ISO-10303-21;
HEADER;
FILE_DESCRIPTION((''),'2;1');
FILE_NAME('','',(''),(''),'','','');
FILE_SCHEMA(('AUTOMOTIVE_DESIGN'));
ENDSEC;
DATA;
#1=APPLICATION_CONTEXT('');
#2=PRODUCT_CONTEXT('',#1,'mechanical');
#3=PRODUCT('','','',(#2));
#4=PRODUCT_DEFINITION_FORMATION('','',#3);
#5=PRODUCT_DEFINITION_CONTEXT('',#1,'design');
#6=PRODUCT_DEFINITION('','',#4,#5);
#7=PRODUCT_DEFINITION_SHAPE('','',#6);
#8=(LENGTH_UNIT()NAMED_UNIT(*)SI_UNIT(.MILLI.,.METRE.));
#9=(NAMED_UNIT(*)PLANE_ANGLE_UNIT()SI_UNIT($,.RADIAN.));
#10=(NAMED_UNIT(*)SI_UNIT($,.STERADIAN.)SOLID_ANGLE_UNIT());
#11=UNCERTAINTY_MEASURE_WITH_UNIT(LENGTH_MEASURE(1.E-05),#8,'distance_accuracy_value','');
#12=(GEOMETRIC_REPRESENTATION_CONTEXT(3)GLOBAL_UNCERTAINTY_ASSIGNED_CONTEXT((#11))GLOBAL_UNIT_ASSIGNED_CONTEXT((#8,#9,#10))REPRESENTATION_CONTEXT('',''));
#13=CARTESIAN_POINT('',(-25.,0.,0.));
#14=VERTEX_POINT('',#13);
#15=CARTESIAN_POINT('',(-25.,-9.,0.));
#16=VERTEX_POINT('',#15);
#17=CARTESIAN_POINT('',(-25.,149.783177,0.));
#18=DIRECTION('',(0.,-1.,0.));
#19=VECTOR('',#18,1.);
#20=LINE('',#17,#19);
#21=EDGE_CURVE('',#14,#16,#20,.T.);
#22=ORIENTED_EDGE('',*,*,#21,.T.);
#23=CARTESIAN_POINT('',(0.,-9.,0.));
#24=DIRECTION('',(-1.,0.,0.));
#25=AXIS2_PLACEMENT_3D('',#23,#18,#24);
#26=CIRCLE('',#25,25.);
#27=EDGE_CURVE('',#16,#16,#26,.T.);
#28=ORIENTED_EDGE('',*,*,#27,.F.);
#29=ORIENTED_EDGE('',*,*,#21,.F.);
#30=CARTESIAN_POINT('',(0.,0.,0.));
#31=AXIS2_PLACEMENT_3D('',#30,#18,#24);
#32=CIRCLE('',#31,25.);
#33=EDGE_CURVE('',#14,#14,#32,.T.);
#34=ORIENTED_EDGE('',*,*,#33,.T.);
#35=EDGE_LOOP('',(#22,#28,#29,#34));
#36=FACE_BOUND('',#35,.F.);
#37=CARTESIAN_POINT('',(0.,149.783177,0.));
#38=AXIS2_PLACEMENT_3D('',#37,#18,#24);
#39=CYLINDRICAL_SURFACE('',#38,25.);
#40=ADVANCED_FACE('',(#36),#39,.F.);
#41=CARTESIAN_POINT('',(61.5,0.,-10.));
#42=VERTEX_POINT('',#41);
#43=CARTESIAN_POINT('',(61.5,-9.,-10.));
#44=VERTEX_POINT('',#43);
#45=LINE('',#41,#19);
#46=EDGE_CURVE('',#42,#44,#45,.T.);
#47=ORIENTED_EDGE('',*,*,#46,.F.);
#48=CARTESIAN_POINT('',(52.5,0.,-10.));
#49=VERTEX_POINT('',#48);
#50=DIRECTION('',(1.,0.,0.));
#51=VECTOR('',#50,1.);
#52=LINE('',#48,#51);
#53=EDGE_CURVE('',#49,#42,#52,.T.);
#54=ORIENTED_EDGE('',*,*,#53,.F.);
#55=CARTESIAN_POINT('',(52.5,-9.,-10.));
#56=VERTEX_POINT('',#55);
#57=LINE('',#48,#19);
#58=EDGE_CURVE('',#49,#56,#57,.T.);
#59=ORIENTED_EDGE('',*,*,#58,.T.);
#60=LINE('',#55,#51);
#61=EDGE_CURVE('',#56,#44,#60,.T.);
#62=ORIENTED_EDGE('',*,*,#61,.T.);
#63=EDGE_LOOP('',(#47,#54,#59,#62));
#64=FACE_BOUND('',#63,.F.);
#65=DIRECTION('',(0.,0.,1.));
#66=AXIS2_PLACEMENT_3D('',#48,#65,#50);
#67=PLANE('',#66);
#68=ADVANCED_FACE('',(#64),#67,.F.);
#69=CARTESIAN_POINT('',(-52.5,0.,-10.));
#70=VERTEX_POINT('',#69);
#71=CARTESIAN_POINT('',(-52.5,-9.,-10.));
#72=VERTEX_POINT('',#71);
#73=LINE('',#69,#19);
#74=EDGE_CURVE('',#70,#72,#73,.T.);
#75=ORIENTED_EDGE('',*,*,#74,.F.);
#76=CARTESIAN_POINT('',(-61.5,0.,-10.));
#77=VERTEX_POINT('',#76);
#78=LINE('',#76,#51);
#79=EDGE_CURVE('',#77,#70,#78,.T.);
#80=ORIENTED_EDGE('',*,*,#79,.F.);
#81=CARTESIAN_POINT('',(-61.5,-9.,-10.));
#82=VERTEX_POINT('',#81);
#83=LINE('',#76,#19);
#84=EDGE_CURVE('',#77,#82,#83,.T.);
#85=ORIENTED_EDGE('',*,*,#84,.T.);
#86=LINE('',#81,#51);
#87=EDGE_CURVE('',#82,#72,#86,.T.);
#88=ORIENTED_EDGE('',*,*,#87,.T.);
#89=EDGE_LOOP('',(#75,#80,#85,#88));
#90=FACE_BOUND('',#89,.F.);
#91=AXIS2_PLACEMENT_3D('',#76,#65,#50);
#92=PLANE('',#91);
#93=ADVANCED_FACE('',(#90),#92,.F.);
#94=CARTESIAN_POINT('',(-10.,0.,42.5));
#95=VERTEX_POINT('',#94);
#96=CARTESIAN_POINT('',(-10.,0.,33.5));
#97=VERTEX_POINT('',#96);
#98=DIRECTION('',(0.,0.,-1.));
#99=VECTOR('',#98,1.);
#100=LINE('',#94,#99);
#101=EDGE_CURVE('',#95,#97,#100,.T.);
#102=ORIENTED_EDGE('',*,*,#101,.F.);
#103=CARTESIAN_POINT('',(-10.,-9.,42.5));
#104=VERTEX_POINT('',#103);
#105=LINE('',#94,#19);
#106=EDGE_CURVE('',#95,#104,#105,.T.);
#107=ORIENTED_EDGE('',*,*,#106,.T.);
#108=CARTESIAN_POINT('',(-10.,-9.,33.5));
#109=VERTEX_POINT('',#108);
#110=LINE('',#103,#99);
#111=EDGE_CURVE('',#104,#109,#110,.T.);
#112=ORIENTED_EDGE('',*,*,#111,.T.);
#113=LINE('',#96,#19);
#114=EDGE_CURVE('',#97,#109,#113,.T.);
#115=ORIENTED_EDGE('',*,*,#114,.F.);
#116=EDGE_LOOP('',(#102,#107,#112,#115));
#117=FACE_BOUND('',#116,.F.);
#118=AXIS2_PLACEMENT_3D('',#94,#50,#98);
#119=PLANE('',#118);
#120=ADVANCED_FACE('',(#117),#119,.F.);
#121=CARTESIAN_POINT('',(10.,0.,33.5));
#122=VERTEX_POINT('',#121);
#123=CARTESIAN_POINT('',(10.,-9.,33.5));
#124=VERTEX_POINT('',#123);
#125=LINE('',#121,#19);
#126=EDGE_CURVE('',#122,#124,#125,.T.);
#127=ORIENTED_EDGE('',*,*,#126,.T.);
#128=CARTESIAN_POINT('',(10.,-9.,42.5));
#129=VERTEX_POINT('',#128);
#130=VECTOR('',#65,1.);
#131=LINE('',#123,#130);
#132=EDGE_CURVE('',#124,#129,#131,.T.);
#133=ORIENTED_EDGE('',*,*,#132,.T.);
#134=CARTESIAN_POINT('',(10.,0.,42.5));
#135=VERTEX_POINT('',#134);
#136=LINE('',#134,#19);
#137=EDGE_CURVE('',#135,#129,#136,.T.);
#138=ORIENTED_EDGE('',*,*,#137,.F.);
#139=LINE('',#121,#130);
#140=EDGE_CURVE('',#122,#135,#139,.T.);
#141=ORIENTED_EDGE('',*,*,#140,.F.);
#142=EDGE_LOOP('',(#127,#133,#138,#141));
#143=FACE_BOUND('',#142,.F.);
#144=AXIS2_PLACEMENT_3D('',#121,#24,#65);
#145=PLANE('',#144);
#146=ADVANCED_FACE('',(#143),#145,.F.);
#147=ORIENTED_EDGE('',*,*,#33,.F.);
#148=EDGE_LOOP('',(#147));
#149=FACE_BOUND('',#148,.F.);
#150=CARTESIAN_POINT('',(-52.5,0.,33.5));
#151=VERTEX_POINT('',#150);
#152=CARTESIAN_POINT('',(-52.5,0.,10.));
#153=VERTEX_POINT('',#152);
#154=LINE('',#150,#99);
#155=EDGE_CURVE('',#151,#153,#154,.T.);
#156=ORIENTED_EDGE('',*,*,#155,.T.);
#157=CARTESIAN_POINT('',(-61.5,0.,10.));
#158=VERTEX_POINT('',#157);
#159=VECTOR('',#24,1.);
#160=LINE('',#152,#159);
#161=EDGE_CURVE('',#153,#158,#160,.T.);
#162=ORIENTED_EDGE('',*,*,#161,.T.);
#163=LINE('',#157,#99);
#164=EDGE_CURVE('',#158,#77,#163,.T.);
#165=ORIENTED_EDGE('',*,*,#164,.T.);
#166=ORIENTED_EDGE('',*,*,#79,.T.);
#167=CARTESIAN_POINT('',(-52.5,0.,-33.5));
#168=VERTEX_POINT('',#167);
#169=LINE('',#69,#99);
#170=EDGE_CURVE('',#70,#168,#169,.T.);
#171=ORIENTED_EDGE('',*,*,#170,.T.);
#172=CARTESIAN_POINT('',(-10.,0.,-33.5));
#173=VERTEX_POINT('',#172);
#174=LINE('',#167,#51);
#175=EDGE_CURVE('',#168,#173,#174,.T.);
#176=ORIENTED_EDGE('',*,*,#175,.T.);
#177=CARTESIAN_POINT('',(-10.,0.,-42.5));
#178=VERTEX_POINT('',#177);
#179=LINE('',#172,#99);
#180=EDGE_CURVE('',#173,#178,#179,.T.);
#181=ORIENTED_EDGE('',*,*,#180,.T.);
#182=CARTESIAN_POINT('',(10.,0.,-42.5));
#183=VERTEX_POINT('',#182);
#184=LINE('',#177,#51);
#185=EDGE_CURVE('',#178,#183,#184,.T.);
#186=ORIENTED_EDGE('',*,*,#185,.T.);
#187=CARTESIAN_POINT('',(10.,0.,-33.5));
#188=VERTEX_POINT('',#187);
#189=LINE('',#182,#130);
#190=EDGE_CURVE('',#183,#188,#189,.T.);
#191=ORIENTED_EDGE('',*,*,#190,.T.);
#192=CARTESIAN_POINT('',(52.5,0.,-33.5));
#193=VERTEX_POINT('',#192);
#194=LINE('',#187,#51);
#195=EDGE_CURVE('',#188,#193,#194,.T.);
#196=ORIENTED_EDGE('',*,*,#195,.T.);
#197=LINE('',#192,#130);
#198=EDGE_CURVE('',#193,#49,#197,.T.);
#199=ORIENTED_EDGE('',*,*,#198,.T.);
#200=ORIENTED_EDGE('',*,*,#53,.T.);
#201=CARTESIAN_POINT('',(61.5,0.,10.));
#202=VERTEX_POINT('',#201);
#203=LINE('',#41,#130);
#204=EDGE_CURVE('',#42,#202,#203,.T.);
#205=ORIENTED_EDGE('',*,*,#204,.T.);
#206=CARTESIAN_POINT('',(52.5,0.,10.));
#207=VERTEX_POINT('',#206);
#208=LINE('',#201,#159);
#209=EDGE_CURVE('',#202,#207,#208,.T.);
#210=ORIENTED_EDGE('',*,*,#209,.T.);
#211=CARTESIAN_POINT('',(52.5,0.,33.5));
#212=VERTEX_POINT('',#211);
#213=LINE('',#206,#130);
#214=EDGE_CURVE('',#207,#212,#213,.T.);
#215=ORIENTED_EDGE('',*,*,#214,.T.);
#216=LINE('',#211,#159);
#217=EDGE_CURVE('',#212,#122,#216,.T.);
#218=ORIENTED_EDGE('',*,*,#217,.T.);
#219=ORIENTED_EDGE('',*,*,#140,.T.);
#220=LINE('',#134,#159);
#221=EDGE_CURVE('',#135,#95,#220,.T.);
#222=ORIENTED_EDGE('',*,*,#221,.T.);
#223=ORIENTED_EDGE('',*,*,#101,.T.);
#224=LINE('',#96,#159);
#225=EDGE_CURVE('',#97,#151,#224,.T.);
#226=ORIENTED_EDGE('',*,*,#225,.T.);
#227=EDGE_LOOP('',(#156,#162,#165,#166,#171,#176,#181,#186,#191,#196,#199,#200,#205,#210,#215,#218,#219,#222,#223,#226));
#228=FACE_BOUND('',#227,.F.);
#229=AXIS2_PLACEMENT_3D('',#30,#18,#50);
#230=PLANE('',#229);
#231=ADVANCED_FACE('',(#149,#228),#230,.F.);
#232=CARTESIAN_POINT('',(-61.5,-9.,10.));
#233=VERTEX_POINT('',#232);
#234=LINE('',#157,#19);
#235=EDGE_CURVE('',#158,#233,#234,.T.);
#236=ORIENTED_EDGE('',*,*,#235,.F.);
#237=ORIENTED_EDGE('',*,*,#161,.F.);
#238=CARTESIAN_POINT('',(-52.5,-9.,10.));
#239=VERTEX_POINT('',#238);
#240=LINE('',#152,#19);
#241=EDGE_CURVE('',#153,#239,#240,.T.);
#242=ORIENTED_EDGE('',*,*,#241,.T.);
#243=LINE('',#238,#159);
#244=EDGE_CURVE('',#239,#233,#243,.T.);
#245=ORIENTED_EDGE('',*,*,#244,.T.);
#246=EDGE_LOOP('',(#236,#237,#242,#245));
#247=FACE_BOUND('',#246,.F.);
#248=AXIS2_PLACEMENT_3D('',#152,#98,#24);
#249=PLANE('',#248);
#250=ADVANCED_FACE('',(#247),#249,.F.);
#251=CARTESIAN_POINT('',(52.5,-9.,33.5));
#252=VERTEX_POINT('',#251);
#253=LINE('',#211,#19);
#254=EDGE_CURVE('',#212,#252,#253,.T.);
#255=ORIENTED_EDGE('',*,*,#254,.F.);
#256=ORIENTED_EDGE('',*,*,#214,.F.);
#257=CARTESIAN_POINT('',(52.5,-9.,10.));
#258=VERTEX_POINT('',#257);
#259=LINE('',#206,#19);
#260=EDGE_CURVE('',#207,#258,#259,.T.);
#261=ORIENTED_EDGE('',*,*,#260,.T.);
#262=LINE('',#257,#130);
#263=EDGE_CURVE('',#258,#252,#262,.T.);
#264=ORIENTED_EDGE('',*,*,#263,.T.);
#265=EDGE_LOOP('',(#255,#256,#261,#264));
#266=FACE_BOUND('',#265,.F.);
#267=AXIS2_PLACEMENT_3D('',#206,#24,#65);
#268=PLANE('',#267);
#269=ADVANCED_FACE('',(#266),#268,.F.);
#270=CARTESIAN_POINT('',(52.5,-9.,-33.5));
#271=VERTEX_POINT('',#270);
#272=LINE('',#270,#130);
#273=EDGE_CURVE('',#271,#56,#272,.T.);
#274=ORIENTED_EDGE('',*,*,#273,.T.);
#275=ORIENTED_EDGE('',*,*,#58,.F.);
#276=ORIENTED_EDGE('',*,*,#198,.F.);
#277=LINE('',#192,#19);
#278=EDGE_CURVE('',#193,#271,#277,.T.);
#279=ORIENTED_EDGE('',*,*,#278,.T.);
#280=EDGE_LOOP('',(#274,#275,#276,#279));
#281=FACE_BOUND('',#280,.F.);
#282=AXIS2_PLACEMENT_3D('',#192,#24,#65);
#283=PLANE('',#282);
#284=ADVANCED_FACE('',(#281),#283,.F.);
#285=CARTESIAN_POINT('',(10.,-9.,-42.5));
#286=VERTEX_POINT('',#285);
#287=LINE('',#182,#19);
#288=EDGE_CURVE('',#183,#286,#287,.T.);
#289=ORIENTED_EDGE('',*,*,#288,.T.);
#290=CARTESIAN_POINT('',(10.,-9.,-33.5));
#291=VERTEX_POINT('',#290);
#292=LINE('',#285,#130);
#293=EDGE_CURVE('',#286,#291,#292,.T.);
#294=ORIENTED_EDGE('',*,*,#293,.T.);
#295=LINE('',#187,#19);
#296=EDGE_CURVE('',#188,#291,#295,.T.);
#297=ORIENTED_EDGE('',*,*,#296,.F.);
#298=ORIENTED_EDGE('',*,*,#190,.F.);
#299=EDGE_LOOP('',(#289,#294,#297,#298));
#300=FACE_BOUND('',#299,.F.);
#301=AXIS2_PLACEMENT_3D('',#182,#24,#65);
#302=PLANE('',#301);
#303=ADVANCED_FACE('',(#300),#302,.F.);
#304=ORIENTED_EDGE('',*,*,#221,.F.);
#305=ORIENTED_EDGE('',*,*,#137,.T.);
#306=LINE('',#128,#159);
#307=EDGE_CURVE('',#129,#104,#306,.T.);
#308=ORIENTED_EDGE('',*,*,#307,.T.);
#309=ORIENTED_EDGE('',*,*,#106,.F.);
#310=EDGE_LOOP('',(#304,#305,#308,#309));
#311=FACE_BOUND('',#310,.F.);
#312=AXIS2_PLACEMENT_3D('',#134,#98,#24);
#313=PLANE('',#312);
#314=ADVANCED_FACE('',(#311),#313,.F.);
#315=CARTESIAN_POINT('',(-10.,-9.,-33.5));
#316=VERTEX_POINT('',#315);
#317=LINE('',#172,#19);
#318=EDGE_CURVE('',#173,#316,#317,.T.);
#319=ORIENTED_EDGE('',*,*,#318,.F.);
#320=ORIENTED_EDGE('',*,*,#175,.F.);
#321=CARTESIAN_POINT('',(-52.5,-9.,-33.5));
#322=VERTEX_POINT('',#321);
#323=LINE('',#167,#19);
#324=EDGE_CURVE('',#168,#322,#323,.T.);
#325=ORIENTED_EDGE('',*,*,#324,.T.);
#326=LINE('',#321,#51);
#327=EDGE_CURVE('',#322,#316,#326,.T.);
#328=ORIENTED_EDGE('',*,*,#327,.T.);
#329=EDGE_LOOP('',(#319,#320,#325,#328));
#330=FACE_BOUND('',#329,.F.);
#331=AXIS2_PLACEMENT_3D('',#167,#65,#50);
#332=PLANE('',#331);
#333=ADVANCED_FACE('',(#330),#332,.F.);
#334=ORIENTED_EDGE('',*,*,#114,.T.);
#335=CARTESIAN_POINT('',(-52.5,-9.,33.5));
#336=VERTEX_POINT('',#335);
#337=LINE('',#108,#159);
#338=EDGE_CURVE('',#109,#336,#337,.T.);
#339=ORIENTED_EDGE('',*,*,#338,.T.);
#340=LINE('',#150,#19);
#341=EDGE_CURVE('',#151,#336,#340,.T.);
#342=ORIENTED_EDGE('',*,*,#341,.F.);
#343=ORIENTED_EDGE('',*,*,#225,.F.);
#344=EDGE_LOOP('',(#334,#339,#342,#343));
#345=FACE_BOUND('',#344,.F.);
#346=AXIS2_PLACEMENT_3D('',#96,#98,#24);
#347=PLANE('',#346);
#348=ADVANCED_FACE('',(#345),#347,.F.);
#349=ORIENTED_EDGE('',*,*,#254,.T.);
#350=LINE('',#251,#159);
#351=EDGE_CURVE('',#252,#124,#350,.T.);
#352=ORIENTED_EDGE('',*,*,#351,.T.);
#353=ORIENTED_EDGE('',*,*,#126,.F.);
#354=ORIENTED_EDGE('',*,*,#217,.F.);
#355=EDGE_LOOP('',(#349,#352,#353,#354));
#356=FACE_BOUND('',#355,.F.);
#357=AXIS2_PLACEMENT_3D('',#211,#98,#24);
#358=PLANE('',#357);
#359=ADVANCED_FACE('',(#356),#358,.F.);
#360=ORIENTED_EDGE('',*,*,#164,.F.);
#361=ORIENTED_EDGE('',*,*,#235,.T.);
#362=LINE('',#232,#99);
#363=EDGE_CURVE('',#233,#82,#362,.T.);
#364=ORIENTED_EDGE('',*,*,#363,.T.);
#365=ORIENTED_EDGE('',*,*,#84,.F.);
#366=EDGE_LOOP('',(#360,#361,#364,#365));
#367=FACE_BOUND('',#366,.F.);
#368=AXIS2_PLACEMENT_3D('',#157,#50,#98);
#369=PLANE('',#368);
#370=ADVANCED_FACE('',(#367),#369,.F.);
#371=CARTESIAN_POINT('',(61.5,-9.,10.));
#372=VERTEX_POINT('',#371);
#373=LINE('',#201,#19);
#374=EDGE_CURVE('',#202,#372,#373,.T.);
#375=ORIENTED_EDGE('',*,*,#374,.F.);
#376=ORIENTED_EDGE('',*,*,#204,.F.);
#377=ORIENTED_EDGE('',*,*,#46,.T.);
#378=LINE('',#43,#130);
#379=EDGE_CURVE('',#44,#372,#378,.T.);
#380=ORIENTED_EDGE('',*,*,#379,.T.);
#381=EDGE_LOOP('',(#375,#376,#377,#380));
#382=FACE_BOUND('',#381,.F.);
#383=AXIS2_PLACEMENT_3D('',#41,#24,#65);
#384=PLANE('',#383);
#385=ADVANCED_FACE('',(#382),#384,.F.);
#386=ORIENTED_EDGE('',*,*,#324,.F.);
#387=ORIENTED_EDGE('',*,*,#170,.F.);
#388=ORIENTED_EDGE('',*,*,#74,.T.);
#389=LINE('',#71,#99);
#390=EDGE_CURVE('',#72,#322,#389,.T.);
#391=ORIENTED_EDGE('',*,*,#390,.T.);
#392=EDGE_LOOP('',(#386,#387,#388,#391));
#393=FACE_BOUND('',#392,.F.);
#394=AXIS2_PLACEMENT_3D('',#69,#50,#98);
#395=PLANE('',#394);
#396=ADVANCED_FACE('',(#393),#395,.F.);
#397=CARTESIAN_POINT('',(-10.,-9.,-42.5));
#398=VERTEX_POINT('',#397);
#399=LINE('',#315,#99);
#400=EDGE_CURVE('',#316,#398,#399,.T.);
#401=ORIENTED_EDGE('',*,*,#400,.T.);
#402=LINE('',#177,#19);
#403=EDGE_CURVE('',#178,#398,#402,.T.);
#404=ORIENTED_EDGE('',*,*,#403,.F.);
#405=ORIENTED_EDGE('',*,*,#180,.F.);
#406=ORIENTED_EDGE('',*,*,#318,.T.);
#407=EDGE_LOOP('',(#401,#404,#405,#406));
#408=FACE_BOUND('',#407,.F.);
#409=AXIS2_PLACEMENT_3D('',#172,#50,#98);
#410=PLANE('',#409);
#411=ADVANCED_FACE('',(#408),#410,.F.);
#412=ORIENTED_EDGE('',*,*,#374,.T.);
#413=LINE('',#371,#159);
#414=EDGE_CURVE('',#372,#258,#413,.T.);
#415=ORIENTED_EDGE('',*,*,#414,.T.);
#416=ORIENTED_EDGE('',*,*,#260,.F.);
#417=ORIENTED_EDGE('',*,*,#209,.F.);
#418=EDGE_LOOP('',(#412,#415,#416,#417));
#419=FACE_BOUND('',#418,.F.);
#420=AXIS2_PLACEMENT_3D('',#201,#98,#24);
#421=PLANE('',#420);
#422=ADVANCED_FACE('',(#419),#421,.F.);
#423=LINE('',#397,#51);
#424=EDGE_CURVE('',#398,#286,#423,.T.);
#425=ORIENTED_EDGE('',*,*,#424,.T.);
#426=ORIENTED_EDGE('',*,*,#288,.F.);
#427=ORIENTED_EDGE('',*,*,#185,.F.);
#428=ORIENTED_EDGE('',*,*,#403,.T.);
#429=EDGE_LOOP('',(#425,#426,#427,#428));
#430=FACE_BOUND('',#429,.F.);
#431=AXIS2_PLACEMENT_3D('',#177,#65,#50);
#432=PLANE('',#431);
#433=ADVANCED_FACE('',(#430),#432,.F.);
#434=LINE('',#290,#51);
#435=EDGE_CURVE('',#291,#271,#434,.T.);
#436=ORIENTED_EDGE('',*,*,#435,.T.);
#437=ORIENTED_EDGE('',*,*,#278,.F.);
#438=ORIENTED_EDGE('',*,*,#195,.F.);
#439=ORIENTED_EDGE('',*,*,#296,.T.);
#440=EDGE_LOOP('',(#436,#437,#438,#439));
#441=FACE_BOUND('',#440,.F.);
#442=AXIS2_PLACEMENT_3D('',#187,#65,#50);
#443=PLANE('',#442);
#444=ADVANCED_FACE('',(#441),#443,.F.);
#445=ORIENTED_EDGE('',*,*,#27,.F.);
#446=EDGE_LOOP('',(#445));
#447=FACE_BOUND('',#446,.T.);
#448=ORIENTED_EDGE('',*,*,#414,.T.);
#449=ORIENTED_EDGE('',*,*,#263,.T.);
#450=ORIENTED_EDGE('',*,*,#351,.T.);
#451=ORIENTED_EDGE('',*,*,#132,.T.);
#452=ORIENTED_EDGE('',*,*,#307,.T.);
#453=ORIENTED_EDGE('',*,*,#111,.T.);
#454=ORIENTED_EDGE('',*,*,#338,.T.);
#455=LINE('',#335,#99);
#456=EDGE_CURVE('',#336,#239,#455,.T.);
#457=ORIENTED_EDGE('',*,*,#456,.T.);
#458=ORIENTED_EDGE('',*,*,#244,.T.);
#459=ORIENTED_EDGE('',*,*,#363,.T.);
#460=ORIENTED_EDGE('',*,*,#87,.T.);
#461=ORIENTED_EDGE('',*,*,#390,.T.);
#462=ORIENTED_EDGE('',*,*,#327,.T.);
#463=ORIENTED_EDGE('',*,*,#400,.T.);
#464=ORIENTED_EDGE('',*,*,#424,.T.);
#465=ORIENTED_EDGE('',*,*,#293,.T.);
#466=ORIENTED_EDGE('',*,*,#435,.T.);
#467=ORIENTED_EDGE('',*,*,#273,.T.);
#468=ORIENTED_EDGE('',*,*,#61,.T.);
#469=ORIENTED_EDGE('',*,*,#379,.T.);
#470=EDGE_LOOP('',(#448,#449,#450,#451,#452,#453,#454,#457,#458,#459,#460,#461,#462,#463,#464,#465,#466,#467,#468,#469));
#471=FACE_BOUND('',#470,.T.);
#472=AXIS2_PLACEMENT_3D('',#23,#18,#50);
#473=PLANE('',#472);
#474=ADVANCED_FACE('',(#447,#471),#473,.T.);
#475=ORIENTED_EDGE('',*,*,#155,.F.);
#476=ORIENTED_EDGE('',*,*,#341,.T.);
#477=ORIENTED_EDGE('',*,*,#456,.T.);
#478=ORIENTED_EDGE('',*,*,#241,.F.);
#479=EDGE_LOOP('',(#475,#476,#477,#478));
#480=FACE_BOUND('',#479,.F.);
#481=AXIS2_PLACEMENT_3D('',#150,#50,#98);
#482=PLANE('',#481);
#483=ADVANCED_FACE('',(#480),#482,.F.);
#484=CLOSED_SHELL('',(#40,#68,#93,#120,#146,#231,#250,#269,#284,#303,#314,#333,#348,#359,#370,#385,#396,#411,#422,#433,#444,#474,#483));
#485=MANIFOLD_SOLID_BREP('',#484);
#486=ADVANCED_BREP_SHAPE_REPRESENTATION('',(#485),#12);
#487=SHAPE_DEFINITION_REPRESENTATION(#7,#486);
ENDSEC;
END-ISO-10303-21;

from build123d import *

# Parameters (mm, degrees)
F1_DEPTH = 9
F3_D     = 50


with BuildPart() as f1:
    # F0 (on Front) → F1 (new body)
    with BuildSketch(Plane.XZ):
        Polygon((-10, -42.5), (10, -42.5), (10, -33.5), (52.5, -33.5), (52.5, -10), (61.5, -10), (61.5, 10), (52.5, 10), (52.5, 33.5), (10, 33.5), (10, 42.5), (-10, 42.5), (-10, 33.5), (-52.5, 33.5), (-52.5, 10), (-61.5, 10), (-61.5, -10), (-52.5, -10), (-52.5, -33.5), (-10, -33.5), align=None)
    extrude(amount=F1_DEPTH)

    # F3 (through all)
    with Locations(Plane(origin=(0, 0, 0), x_dir=(1, 0, 0), z_dir=(0, 1, 0))):
        with Locations((0, 0)):
            Hole(F3_D / 2)


solid = f1.part
